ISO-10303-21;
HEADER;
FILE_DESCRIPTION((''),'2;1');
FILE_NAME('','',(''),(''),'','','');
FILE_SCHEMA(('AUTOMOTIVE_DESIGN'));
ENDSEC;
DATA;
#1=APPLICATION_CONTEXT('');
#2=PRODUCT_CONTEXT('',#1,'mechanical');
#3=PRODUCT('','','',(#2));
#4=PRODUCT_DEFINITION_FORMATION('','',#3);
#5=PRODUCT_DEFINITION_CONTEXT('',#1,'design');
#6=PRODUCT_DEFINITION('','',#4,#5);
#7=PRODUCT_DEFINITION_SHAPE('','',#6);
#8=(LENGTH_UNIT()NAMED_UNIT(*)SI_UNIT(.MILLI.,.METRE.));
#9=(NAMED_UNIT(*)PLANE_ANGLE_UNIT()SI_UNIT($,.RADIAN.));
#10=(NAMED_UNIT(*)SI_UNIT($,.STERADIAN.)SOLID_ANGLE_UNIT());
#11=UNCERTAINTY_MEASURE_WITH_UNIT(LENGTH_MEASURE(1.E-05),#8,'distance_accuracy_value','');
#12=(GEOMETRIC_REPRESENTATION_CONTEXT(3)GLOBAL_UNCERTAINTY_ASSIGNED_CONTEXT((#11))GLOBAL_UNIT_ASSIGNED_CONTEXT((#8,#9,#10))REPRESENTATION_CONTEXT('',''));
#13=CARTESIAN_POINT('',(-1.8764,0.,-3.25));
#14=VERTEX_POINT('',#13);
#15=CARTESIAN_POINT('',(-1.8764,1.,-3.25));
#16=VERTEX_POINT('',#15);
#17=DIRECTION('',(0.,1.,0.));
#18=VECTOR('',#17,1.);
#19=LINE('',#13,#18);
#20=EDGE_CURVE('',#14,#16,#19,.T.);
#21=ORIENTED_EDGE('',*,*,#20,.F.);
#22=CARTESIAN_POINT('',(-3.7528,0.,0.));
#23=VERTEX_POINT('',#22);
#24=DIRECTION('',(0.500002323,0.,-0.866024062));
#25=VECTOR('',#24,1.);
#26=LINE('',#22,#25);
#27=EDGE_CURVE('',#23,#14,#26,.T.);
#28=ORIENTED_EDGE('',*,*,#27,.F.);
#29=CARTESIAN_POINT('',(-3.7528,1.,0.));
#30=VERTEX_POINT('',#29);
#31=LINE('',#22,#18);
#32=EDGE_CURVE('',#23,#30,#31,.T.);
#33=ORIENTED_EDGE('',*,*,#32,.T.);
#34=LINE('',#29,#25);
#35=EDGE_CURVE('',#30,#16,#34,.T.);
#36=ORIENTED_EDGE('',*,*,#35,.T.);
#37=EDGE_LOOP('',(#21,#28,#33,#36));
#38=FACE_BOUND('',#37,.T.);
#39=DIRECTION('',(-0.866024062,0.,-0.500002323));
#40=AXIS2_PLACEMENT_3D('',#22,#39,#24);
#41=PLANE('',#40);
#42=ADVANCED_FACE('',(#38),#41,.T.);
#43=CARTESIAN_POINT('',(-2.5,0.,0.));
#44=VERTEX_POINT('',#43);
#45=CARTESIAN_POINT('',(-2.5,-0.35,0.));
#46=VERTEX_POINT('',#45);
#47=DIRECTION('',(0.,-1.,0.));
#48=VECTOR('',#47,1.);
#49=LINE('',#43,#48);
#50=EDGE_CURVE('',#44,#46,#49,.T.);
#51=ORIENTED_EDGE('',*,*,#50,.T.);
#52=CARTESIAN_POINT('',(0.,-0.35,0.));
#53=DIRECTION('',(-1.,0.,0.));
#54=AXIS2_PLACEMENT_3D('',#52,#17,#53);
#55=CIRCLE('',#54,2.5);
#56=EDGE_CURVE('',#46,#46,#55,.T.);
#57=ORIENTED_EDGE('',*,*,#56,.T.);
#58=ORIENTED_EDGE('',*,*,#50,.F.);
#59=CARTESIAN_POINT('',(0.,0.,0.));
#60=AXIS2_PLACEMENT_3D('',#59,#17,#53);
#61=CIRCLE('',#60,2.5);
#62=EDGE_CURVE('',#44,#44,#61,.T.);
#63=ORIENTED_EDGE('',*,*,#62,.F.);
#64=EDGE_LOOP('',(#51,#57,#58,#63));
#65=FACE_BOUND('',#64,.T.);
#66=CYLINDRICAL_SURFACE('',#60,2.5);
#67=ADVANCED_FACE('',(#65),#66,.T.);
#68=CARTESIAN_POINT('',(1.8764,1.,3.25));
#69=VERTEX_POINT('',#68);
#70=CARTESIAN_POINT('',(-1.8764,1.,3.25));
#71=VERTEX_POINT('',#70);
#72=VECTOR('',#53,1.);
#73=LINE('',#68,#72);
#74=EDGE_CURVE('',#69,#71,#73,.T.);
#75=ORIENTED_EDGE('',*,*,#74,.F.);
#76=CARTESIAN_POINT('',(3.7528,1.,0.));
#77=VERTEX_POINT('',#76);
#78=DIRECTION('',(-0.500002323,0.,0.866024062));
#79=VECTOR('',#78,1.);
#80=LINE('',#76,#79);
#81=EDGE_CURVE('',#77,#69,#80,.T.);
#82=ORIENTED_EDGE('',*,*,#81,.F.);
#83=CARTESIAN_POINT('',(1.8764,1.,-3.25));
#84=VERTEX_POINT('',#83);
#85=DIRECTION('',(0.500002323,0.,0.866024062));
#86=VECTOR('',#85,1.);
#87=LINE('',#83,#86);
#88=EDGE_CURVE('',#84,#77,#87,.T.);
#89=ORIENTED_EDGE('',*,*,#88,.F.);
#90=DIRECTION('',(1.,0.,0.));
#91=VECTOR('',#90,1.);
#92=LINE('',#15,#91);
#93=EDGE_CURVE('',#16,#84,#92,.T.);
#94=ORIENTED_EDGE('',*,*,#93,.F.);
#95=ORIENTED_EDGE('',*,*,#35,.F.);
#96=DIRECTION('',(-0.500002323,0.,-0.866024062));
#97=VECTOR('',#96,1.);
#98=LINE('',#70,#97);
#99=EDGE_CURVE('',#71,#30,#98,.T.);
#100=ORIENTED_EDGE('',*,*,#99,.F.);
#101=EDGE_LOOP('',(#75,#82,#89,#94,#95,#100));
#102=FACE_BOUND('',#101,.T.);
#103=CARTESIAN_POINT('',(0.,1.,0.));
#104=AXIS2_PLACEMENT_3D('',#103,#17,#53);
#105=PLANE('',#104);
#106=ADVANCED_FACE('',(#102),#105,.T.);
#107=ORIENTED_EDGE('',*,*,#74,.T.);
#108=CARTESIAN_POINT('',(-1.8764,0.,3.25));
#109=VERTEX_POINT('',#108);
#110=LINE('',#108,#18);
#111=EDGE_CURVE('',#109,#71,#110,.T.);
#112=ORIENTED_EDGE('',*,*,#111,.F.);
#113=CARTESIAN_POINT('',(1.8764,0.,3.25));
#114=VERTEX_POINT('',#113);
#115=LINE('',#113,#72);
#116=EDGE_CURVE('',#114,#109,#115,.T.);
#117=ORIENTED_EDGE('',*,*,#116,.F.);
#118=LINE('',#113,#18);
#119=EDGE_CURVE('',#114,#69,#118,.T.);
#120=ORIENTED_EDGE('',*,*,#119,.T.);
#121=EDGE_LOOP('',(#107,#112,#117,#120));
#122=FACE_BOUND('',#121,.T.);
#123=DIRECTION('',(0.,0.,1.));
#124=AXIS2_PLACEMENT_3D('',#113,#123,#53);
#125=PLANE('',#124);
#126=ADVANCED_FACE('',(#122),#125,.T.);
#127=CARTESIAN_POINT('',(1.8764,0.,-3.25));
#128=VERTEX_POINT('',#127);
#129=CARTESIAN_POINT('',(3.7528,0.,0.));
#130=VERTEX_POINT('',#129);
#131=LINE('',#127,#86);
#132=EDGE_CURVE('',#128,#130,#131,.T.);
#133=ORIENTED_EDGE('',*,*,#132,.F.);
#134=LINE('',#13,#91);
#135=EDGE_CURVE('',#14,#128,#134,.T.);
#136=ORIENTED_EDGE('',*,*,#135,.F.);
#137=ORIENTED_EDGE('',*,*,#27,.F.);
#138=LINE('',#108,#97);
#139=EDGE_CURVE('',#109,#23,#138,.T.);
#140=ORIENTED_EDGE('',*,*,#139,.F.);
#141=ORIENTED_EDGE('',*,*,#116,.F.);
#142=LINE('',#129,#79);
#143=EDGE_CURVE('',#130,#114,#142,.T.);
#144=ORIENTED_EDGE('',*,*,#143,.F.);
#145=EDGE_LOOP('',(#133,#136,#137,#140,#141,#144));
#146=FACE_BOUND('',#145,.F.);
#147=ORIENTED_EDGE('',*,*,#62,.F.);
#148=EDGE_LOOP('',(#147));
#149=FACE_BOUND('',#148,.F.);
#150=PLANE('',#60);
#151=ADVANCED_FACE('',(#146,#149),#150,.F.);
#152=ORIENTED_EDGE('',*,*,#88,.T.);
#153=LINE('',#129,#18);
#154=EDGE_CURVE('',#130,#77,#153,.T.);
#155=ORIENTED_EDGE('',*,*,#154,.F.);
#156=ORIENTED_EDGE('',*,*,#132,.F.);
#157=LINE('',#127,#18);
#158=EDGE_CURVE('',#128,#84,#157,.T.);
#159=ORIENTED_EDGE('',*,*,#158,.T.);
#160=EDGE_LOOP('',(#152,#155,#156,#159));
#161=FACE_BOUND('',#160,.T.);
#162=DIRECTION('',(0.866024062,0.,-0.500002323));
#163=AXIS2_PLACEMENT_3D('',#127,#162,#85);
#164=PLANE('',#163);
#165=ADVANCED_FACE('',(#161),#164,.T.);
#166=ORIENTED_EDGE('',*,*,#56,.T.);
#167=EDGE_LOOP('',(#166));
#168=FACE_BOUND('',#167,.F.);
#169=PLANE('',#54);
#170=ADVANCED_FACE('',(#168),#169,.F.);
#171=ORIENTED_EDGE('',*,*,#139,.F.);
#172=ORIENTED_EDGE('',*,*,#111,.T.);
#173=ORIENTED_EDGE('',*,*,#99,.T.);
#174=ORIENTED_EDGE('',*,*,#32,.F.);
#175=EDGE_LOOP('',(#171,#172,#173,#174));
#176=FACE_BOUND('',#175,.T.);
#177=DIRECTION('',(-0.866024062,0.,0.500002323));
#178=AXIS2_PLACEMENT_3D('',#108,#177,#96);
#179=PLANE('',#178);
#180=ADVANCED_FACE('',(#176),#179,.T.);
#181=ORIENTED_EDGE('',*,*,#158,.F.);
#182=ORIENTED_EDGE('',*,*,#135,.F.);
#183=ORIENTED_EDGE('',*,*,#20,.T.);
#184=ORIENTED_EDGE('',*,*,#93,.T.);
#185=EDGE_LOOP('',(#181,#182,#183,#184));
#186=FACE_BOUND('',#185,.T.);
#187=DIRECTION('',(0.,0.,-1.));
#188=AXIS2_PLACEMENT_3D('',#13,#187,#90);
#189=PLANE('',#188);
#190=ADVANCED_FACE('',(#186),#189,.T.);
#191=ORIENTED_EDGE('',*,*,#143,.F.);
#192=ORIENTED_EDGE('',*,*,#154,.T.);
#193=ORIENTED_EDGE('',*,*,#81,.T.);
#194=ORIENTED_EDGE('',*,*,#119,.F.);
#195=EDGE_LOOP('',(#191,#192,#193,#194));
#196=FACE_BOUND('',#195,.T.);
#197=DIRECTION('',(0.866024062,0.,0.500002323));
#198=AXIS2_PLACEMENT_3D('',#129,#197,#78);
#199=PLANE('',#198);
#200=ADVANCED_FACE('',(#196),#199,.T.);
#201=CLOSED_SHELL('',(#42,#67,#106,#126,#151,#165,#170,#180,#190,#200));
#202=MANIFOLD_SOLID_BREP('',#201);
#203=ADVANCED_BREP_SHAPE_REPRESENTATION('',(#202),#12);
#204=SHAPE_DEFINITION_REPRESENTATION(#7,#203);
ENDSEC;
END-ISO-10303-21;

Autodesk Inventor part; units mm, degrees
ref_plane "YZ Plane" through (0, 0, 0) normal (1, 0, 0) x (0, 1, 0)
ref_plane "XZ Plane" through (0, 0, 0) normal (0, 1, 0) x (-1, 0, 0)
ref_plane "XY Plane" through (0, 0, 0) normal (0, 0, 1) x (1, 0, 0)
sketch "Sketch1" plane through (0, 0, 0) normal (0, 1, 0) x (-1, 0, 0)
  line L0 (1.8764, 3.25) -> (3.7528, 0)
  line L1 (3.7528, 0) -> (1.8764, -3.25)
  line L2 (1.8764, -3.25) -> (-1.8764, -3.25)
  line L3 (-1.8764, -3.25) -> (-3.7528, 0)
  line L4 (-3.7528, 0) -> (-1.8764, 3.25)
  line L5 (-1.8764, 3.25) -> (1.8764, 3.25)
  circle A0 centre (0, 0) radius 2.5
  point P0 (0, 0)
  dimension "d0" = 6.5
  dimension "d1" = 5
extrude "Extrusion1" add sketch "Sketch1" along normal blind 1 contours L0 L1 L2 L3 L4 L5 | A0
extrude "Extrusion2" add sketch "Sketch1" against normal blind 0.35 contours A0
properties part number "Capac_VarfBiti"
